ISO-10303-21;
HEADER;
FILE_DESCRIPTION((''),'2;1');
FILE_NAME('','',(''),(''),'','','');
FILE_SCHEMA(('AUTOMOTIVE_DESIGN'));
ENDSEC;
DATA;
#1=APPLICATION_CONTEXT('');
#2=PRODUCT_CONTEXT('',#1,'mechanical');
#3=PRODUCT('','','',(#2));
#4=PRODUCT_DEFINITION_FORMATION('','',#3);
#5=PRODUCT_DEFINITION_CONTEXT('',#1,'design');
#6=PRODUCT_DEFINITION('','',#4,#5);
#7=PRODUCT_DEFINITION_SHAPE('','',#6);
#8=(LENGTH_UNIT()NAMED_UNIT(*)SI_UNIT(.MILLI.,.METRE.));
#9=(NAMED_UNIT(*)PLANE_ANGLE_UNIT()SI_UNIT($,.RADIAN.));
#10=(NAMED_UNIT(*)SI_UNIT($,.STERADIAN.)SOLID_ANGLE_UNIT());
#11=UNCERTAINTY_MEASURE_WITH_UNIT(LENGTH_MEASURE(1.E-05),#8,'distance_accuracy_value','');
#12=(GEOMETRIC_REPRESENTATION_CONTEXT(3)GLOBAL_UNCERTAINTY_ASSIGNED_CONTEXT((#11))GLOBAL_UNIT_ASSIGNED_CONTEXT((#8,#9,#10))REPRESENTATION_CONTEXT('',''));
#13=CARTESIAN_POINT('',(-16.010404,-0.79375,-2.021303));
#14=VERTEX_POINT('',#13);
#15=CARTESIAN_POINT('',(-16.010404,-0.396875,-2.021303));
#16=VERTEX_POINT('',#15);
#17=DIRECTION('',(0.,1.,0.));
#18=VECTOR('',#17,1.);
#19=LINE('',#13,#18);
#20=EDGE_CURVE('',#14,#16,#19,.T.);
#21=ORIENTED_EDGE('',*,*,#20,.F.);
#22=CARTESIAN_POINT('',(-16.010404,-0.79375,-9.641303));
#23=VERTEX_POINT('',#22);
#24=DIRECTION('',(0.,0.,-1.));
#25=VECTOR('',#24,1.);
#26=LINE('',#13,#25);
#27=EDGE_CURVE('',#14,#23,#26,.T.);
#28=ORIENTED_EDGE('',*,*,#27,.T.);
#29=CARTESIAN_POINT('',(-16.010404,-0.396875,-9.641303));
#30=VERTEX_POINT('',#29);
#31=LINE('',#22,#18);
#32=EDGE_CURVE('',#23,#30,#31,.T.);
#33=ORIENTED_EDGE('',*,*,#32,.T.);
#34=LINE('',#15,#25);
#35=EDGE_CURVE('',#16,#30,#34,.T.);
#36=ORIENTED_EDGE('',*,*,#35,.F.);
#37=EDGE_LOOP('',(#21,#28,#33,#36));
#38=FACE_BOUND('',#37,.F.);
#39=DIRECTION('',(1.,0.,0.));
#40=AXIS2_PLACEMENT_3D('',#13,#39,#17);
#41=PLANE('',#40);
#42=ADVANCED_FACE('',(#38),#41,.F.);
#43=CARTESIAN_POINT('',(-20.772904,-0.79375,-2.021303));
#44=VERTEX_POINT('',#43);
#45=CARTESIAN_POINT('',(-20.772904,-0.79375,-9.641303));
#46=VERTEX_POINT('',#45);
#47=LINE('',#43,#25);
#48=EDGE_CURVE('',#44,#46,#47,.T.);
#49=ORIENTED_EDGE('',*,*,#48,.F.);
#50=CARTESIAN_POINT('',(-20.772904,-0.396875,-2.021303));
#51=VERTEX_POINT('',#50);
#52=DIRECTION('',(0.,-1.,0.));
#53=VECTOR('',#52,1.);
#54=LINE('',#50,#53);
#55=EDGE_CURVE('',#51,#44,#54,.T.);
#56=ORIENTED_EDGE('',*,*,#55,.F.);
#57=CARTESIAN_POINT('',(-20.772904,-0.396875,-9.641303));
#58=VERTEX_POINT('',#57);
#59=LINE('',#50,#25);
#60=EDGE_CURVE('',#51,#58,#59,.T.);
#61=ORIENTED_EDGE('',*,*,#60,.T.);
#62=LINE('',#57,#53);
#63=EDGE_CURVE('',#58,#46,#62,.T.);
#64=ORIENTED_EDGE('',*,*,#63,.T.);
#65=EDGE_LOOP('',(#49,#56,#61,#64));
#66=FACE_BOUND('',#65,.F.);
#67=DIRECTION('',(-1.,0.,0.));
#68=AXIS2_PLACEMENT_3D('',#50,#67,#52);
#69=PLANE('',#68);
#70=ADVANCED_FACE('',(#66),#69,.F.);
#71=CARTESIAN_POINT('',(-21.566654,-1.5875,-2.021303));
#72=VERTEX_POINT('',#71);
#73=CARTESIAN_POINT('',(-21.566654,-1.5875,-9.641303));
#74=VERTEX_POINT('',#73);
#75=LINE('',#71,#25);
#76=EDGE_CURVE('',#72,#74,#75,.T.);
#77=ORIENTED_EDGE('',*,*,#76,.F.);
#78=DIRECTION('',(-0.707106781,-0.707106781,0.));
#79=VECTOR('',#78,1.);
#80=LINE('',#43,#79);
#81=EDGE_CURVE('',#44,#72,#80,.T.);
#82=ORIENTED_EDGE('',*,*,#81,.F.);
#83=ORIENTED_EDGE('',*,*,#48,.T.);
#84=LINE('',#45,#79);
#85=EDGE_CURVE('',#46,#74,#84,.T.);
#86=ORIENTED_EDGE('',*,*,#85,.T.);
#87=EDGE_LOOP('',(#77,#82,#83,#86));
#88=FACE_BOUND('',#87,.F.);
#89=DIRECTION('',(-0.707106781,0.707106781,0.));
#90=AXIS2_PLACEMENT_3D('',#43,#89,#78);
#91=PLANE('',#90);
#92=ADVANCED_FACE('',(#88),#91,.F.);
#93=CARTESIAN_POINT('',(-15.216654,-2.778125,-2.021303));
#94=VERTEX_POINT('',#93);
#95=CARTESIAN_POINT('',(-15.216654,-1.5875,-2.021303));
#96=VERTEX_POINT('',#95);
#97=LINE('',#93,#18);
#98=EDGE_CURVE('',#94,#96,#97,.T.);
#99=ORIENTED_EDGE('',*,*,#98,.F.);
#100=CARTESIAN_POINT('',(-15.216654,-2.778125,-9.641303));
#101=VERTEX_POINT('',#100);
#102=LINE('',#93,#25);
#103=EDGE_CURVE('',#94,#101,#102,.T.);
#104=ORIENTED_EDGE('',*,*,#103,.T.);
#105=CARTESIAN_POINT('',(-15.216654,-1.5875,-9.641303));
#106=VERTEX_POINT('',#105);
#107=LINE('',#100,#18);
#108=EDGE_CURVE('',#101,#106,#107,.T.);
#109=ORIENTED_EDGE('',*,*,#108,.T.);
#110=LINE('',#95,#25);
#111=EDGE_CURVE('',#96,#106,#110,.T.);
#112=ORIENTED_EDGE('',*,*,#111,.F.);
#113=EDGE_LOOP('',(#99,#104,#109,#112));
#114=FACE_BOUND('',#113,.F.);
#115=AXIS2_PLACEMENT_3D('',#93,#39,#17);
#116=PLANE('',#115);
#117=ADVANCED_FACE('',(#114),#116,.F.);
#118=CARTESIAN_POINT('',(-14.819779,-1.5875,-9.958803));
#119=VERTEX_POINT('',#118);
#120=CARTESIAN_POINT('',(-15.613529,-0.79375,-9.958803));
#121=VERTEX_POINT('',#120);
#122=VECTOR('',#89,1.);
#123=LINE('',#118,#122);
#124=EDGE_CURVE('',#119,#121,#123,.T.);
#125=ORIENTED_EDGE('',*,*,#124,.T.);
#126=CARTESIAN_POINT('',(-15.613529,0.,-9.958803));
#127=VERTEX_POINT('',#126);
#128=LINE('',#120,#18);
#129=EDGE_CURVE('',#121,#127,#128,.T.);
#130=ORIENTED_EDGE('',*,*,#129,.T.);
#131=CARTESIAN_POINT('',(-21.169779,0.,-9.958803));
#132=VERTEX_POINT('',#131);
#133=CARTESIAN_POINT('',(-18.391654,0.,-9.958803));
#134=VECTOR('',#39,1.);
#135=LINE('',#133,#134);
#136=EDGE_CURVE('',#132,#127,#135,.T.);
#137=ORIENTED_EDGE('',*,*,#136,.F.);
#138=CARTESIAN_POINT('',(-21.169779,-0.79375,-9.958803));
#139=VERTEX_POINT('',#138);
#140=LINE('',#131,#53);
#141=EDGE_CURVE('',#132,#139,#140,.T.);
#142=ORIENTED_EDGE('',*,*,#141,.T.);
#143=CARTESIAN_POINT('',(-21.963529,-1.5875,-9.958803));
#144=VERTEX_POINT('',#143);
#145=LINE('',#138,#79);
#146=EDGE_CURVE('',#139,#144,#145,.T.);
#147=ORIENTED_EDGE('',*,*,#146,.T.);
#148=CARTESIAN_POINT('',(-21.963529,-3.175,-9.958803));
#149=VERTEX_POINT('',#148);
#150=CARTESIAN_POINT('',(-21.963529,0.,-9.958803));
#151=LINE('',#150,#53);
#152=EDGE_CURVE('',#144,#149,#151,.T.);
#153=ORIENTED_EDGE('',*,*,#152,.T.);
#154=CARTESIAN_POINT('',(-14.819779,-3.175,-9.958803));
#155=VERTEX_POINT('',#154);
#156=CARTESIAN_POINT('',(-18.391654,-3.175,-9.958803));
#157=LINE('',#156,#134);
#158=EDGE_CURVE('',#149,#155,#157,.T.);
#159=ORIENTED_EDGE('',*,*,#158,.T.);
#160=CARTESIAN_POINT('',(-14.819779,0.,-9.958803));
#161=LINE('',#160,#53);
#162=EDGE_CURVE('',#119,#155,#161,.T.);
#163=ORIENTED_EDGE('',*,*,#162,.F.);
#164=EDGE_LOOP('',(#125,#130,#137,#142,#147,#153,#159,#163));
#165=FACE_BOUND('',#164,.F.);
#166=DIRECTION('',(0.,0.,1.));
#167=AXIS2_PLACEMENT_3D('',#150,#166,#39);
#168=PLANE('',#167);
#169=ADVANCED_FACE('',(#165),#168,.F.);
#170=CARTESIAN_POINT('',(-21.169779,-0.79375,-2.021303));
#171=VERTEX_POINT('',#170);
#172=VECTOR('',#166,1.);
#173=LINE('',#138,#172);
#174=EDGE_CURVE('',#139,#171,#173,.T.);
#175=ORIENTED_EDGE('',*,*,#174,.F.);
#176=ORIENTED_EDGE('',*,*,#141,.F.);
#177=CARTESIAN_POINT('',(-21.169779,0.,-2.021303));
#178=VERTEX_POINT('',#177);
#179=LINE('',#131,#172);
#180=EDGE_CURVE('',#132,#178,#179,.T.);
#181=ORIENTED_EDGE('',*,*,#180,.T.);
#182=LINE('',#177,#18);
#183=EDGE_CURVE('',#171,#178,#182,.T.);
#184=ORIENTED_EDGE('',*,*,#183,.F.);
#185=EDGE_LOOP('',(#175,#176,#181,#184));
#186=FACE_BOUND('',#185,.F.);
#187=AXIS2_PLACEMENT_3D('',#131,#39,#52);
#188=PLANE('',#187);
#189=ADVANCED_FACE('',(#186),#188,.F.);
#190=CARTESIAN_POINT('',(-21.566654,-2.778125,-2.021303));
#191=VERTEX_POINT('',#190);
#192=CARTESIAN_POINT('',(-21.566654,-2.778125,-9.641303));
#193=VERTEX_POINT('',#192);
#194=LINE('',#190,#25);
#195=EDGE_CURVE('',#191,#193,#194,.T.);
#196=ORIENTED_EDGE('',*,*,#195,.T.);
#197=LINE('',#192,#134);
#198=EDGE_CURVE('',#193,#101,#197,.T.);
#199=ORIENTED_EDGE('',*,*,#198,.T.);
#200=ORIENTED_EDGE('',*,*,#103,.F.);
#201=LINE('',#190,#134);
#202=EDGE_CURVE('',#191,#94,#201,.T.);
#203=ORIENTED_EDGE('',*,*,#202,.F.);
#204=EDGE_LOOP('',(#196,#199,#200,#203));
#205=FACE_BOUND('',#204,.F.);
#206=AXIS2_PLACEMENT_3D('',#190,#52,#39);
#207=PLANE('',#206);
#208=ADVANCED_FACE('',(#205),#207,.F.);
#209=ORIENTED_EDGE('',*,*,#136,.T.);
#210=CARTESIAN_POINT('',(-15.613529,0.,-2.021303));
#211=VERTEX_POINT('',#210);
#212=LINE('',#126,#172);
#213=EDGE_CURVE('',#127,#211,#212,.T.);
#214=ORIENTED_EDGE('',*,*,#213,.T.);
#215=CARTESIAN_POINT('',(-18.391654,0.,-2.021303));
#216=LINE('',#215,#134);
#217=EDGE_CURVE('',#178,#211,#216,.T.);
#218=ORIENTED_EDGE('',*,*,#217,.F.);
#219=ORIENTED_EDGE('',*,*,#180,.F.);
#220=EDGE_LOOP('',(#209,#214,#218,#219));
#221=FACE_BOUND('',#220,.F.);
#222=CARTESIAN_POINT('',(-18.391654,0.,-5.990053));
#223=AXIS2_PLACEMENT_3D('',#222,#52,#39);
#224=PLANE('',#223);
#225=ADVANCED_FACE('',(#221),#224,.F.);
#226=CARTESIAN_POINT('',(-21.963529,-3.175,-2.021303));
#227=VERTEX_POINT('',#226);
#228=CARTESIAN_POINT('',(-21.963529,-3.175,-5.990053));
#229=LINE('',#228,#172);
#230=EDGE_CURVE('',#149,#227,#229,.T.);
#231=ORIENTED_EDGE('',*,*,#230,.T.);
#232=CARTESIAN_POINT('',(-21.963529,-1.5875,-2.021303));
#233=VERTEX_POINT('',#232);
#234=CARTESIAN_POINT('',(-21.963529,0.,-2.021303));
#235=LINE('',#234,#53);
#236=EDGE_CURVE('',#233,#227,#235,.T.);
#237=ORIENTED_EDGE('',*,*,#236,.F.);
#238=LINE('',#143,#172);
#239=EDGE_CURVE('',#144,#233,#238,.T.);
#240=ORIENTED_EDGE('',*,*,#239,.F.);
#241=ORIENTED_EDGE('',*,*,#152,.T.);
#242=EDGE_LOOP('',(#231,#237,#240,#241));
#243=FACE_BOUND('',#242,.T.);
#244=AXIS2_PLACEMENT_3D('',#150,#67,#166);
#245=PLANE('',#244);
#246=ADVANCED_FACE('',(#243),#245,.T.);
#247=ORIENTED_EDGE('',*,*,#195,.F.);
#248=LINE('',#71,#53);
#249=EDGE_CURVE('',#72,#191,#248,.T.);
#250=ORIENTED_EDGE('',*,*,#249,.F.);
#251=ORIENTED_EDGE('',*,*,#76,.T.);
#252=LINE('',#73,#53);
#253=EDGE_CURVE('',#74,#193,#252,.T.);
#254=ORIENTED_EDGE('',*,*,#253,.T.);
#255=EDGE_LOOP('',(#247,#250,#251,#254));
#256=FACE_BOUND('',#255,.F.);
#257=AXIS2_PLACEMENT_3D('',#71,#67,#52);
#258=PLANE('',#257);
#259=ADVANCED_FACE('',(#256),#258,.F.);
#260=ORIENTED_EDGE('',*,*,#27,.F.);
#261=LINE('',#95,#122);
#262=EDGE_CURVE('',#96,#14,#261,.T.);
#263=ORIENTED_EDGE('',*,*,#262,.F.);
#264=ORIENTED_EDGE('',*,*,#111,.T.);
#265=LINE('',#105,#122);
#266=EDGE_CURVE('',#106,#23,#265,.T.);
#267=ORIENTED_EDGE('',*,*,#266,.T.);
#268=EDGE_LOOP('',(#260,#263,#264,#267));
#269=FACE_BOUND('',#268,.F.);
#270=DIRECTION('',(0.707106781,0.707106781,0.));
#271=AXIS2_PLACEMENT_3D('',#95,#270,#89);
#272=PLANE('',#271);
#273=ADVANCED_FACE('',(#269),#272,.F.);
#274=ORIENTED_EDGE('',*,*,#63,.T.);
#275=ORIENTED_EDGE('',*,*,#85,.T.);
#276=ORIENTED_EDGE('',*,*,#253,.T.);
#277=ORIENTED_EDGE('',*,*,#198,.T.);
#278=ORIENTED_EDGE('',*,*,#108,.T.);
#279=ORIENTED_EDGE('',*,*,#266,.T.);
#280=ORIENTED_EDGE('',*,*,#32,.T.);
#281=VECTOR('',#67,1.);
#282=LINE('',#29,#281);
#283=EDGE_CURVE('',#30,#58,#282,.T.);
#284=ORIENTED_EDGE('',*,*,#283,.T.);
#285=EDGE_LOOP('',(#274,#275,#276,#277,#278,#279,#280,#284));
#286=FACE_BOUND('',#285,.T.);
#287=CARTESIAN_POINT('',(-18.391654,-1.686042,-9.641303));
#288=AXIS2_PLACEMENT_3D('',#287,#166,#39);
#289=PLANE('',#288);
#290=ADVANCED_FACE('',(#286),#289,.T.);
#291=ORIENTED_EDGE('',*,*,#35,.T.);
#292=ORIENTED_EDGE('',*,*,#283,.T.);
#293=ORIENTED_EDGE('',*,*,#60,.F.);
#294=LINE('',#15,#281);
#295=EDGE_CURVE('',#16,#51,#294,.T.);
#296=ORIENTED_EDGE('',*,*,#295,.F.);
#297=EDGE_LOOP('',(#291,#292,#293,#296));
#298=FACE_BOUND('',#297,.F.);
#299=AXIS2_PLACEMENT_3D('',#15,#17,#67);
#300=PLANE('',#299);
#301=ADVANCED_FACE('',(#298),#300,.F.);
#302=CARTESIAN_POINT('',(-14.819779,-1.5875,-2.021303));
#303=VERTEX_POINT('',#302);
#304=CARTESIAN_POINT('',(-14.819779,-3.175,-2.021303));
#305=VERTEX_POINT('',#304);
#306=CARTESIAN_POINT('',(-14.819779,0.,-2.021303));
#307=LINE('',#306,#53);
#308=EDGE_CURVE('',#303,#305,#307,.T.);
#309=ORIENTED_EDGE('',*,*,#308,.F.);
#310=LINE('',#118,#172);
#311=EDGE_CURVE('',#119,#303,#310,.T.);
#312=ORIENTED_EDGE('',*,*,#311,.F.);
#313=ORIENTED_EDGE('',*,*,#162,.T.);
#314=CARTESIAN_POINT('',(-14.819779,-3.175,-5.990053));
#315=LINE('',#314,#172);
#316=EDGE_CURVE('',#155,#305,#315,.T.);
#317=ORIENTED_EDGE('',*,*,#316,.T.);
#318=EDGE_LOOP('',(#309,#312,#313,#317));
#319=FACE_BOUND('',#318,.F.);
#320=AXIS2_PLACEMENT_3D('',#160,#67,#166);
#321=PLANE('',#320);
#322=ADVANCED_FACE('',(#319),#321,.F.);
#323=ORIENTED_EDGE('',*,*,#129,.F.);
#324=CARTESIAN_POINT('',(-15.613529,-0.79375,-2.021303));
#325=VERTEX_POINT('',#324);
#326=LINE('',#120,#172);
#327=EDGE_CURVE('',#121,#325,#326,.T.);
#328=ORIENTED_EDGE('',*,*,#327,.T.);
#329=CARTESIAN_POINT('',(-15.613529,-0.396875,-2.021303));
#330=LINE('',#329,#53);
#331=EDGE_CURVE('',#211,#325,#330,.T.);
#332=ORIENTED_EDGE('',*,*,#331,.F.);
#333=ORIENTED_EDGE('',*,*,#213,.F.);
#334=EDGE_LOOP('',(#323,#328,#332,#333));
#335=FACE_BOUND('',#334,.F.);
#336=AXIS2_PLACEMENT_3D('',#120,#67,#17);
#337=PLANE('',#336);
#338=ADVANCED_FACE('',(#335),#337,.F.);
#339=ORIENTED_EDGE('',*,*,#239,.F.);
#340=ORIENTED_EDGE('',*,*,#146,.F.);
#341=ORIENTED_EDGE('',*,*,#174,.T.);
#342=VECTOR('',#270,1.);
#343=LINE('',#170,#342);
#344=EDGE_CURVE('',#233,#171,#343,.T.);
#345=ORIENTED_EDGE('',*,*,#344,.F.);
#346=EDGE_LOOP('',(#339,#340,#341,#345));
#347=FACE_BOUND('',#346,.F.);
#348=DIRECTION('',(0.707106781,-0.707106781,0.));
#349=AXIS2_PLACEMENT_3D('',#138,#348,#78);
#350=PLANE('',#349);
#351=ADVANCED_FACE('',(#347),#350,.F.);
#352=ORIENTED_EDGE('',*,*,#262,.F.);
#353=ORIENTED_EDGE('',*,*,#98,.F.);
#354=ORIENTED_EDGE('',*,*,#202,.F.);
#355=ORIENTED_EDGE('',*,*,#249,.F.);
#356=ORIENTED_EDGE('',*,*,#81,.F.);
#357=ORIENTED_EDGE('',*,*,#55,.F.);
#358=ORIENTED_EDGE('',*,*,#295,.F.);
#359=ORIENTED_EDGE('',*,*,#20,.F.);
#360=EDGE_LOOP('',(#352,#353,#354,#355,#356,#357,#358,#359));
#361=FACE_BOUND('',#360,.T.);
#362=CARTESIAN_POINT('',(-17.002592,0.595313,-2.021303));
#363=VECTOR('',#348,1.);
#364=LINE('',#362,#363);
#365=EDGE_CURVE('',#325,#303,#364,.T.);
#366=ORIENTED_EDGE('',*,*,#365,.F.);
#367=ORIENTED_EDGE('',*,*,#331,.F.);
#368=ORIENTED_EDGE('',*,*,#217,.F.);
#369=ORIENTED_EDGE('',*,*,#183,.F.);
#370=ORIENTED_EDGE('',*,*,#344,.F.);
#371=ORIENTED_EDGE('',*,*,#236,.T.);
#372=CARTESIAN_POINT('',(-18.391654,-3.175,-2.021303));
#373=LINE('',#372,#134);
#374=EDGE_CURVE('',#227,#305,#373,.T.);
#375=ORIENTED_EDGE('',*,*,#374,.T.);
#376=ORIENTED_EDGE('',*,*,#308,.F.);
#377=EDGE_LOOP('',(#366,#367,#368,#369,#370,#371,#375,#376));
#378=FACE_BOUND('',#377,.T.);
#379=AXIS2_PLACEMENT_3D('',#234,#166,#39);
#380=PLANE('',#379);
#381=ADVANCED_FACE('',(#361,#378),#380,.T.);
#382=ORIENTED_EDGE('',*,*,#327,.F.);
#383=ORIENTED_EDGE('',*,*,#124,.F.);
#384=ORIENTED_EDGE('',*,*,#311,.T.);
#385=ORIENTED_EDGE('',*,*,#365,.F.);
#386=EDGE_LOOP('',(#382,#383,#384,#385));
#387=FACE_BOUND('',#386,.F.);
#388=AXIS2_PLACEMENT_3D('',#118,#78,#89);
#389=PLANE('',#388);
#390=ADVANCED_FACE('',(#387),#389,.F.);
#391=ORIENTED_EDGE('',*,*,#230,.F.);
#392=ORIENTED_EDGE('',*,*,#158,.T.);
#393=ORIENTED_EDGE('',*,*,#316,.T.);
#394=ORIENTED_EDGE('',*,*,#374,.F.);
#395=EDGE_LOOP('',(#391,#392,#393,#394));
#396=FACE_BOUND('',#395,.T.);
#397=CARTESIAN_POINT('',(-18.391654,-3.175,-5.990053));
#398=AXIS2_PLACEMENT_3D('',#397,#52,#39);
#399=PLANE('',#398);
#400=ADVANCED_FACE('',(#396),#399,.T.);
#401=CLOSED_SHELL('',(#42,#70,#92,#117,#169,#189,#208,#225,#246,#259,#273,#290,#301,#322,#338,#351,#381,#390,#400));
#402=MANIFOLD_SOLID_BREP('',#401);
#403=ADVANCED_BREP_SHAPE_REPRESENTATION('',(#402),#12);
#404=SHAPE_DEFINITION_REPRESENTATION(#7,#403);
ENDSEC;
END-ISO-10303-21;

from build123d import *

# Parameters (mm, degrees)
F0_W     = 7.14375
F0_H     = 7.9375
F1_DEPTH = 3.175
F3_DEPTH = 7.9385
F5_DEPTH = 7.62


with BuildPart() as f1:
    # F0 (on Front) → F1 (new body)
    with BuildSketch(Plane.XZ):
        with Locations((-18.391654, -5.990053)):
            Rectangle(F0_W, F0_H)
    extrude(amount=F1_DEPTH)

    # F2 (on face) → F3 (cut, through all)
    with BuildSketch(Plane(origin=(0, 0, -9.958803), x_dir=(1, 0, 0), z_dir=(0, 0, -1))):
        Polygon((-21.963529, 0), (-21.169779, 0), (-21.169779, 0.79375), (-21.963529, 1.5875), align=None)
        Polygon((-14.819779, 0), (-14.819779, 1.5875), (-15.613529, 0.79375), (-15.613529, 0), align=None)
    extrude(amount=-F3_DEPTH, mode=Mode.SUBTRACT)

    # F4 (on face) → F5 (cut)
    with BuildSketch(Plane.XY.offset(-2.021303)):
        Polygon((-21.566654, -2.778125), (-15.216654, -2.778125), (-15.216654, -1.5875), (-16.010404, -0.79375), (-16.010404, -0.396875), (-20.772904, -0.396875), (-20.772904, -0.79375), (-21.566654, -1.5875), align=None)
    extrude(amount=-F5_DEPTH, mode=Mode.SUBTRACT)


solid = f1.part
